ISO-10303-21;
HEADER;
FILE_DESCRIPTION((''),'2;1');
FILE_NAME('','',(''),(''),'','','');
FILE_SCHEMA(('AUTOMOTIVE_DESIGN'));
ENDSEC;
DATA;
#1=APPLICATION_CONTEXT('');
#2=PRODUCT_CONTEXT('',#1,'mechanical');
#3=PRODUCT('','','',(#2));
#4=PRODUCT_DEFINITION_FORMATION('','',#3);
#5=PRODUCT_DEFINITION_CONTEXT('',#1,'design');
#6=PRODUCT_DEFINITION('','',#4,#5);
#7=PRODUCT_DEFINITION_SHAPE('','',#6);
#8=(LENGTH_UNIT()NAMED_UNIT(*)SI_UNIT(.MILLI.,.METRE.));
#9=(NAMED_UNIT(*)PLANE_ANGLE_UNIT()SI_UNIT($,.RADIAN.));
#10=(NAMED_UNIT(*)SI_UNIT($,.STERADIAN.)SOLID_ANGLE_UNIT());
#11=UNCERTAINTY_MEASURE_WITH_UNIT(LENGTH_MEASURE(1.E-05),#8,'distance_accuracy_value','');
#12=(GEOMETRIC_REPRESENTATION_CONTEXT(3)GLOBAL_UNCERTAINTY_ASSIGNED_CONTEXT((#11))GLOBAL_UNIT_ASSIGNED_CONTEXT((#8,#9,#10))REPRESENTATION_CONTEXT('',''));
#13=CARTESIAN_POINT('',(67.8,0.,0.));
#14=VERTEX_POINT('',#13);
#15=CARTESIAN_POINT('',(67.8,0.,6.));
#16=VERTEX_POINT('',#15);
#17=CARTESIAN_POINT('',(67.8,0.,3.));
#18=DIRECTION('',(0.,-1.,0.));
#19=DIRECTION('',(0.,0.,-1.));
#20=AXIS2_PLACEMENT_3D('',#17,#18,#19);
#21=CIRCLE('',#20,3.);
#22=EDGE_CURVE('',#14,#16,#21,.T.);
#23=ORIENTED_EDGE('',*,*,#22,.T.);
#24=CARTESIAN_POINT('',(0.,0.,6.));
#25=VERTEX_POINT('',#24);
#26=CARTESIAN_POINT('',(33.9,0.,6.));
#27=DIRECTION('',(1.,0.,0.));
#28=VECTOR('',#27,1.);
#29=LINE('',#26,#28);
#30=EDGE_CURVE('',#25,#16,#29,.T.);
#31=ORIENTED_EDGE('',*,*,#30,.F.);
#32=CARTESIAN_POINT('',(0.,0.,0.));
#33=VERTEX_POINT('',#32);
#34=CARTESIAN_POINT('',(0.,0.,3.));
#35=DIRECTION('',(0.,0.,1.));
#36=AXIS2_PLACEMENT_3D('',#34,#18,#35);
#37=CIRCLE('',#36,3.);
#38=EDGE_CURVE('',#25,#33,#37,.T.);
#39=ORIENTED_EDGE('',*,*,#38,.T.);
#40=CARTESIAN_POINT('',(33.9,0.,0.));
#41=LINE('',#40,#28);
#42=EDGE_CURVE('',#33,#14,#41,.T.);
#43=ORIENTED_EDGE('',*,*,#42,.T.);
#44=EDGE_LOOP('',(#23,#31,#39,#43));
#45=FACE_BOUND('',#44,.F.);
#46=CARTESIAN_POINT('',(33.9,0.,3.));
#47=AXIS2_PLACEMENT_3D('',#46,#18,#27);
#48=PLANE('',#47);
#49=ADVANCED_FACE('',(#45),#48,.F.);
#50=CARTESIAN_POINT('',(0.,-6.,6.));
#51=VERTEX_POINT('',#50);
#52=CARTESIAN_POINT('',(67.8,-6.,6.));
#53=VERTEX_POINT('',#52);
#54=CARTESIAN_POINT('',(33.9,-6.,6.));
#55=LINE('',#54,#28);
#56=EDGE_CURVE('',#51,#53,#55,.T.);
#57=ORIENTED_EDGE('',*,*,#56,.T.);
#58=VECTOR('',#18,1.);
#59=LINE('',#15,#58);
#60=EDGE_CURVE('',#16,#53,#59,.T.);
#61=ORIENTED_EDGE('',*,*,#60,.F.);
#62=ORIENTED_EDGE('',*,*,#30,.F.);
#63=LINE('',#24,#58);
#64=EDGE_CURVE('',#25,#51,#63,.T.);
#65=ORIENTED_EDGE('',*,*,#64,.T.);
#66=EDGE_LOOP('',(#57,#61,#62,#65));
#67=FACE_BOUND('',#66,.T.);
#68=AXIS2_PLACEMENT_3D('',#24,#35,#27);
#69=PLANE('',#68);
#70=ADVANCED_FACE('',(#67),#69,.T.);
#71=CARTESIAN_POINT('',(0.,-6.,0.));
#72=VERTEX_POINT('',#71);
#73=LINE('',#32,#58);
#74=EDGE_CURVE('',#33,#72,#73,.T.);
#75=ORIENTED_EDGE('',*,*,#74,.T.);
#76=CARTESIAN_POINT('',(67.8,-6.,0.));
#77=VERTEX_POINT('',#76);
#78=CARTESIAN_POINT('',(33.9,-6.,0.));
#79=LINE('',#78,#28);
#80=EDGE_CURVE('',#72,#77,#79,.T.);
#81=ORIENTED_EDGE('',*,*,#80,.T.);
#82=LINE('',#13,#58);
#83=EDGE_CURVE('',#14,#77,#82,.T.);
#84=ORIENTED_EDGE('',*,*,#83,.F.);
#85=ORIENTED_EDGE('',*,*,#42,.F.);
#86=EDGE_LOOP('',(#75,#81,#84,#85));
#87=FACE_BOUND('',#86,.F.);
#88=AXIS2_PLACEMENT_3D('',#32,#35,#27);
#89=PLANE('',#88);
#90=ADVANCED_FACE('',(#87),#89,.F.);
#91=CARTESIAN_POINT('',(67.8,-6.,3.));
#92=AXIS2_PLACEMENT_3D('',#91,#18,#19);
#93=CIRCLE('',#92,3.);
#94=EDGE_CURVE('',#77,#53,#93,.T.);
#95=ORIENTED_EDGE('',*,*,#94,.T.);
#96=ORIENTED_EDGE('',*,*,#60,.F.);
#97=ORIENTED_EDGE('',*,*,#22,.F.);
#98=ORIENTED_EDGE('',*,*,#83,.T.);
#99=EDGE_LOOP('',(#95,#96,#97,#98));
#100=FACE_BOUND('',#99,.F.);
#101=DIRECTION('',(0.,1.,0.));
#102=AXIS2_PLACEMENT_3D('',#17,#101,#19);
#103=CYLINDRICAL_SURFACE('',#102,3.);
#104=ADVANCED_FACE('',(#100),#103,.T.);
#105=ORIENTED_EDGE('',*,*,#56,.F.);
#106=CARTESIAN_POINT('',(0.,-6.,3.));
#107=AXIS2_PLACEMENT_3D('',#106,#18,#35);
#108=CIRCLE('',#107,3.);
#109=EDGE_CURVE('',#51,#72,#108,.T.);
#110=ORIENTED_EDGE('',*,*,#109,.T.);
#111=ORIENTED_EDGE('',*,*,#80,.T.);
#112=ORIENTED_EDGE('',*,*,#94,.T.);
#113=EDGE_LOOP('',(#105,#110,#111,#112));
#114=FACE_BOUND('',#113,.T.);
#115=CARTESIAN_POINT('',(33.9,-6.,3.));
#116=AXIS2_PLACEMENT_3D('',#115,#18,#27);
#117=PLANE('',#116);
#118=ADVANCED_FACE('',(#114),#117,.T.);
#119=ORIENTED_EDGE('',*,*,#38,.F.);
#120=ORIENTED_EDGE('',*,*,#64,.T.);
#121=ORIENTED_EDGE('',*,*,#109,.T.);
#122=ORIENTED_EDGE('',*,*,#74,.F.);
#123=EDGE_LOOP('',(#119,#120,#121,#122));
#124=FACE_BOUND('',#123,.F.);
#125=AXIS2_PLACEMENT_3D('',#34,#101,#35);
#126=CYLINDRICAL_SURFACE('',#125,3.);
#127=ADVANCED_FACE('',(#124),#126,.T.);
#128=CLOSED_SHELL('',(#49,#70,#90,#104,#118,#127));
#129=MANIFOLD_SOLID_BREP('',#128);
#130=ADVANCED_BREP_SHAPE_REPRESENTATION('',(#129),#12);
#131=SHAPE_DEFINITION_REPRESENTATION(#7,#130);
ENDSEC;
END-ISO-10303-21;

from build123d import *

# Parameters (mm, degrees)
F0_W     = 67.8
F0_H     = 6
F1_DEPTH = 6


with BuildPart() as f1:
    # F0 (on Front) → F1 (new body)
    with BuildSketch(Plane.XZ):
        with Locations((33.9, 3)):
            Rectangle(F0_W, F0_H)
        with BuildLine():
            Line((67.8, 6), (67.8, 0))
            ThreePointArc((67.8, 0), (70.8, 3), (67.8, 6))
        make_face()
        with BuildLine():
            ThreePointArc((0, 6), (-3, 3), (0, 0))
            Line((0, 0), (0, 6))
        make_face()
    extrude(amount=F1_DEPTH)


solid = f1.part
